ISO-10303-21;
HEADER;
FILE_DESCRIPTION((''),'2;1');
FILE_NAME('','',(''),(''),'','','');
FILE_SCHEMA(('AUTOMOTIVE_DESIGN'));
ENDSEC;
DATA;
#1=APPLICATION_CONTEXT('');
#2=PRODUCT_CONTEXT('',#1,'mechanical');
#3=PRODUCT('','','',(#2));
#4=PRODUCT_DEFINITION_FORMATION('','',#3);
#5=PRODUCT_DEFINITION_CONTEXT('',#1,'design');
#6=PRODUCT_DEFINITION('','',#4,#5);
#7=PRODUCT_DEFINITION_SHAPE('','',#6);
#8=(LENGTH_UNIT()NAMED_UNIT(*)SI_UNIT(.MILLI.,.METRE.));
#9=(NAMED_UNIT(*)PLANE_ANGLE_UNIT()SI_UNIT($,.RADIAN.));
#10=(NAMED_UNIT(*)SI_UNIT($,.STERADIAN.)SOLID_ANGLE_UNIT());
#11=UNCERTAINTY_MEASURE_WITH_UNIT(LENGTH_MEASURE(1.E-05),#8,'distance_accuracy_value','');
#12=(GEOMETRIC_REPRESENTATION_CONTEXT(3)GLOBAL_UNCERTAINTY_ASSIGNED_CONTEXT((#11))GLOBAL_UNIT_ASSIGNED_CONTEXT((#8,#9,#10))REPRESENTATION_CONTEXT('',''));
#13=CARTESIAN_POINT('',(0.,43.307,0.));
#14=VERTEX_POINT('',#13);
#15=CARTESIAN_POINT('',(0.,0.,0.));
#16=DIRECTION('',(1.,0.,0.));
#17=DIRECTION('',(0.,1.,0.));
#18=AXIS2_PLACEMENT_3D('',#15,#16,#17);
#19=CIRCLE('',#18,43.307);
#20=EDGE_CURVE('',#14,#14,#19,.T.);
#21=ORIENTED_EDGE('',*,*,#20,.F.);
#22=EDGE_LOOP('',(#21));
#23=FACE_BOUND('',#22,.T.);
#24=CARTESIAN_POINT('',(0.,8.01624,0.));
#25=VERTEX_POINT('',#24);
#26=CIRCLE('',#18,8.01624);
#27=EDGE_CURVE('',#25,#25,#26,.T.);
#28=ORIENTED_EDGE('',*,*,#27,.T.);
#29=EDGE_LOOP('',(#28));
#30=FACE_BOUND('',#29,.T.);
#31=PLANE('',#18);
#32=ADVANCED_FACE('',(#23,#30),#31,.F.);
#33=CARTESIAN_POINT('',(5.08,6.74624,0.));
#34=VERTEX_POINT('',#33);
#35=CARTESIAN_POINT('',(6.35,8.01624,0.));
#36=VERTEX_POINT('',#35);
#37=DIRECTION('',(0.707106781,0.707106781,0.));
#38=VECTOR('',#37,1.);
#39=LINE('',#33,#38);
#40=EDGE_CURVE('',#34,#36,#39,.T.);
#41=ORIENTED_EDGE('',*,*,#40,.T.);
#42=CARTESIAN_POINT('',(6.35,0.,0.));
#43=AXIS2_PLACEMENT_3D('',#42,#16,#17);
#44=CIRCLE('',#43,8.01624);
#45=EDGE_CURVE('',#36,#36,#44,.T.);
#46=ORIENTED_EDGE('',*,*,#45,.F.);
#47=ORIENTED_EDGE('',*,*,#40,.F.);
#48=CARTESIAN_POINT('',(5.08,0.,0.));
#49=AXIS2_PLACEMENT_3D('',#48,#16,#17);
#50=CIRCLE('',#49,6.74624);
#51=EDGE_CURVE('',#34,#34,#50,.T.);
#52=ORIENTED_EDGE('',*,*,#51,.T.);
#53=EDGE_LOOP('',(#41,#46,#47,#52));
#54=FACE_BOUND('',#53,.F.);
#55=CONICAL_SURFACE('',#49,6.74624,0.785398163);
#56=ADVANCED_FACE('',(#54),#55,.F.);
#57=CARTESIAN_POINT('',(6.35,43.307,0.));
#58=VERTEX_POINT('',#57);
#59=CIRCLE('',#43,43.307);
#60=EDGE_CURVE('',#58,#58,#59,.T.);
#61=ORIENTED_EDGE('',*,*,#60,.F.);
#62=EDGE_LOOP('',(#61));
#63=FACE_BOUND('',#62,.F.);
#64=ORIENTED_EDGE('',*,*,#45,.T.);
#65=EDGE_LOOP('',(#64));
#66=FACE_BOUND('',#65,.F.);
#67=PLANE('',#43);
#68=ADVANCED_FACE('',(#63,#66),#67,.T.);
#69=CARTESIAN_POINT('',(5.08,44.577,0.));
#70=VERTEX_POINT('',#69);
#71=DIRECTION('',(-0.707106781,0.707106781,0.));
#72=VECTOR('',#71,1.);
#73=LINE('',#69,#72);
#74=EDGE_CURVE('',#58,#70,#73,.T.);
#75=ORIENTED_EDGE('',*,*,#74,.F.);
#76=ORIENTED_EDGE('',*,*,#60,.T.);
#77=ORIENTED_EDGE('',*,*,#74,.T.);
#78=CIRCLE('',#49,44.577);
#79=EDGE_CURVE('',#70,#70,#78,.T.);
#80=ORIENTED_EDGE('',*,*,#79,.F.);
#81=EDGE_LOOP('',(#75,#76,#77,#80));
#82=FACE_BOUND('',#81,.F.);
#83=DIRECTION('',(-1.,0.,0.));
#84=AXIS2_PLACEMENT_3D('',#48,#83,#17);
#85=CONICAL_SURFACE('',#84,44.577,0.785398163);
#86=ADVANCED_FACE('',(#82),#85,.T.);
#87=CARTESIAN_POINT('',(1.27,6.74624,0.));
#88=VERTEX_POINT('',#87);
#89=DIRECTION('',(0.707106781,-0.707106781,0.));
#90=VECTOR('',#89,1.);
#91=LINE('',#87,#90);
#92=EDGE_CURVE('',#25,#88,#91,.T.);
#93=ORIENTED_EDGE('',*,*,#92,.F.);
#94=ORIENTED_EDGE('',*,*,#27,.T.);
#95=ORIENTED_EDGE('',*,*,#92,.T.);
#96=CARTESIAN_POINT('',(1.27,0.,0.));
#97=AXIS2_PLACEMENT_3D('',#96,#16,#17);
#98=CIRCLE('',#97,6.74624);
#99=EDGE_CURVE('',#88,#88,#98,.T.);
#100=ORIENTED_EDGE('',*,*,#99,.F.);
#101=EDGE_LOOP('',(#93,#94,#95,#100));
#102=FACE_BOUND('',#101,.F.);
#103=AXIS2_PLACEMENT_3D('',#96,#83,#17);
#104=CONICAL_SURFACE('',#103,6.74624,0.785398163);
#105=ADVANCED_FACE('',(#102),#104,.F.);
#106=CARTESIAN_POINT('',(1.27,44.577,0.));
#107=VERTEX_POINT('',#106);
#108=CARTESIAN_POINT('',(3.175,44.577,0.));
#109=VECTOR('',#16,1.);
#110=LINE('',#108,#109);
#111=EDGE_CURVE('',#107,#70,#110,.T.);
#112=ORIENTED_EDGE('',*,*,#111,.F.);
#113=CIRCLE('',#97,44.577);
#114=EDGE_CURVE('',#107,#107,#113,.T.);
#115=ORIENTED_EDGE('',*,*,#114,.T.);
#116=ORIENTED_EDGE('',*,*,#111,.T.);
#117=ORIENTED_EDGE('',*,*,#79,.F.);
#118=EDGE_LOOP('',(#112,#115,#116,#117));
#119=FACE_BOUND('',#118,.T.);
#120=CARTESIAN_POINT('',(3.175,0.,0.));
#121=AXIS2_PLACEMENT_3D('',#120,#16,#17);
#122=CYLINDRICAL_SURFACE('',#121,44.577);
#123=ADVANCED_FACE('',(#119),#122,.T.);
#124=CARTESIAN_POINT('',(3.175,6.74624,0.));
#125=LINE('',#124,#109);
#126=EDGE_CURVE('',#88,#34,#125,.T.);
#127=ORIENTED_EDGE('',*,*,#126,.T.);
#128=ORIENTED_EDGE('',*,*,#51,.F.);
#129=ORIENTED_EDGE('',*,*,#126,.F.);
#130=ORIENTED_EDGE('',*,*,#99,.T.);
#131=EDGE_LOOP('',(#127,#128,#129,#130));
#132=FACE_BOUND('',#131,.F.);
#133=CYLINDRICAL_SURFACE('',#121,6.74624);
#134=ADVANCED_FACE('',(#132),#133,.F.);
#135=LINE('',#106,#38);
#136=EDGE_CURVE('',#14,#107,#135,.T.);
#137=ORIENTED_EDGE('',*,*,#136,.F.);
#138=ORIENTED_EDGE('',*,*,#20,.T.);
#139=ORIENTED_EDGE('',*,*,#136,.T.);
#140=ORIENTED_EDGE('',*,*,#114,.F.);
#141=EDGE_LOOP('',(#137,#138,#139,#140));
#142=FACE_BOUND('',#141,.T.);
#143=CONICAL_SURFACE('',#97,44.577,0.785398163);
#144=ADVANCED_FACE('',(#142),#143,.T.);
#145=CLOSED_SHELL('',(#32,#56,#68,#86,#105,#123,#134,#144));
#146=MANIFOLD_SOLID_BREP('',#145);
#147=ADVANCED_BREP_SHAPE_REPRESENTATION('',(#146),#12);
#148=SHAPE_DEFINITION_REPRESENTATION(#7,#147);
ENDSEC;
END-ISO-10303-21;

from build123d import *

# Parameters (mm, degrees)
F0_W    = 6.35
F0_H    = 37.83076
F2_SIZE = 1.27


with BuildPart() as f1:
    # F0 (on Top) → F1 (revolve)
    with BuildSketch(Plane.XY):
        with Locations((3.175, 25.66162)):
            Rectangle(F0_W, F0_H)
    revolve(axis=Axis((3.175, 0, 0), (1, 0, 0)))

    # F2
    f2_edges = [f1.edges().sort_by_distance(p)[0] for p in [
        (6.35, -44.577, 0),
        (0, -44.577, 0),
        (6.35, -6.74624, 0),
        (0, -6.74624, 0),
    ]]
    chamfer(f2_edges, length=F2_SIZE)


solid = f1.part
